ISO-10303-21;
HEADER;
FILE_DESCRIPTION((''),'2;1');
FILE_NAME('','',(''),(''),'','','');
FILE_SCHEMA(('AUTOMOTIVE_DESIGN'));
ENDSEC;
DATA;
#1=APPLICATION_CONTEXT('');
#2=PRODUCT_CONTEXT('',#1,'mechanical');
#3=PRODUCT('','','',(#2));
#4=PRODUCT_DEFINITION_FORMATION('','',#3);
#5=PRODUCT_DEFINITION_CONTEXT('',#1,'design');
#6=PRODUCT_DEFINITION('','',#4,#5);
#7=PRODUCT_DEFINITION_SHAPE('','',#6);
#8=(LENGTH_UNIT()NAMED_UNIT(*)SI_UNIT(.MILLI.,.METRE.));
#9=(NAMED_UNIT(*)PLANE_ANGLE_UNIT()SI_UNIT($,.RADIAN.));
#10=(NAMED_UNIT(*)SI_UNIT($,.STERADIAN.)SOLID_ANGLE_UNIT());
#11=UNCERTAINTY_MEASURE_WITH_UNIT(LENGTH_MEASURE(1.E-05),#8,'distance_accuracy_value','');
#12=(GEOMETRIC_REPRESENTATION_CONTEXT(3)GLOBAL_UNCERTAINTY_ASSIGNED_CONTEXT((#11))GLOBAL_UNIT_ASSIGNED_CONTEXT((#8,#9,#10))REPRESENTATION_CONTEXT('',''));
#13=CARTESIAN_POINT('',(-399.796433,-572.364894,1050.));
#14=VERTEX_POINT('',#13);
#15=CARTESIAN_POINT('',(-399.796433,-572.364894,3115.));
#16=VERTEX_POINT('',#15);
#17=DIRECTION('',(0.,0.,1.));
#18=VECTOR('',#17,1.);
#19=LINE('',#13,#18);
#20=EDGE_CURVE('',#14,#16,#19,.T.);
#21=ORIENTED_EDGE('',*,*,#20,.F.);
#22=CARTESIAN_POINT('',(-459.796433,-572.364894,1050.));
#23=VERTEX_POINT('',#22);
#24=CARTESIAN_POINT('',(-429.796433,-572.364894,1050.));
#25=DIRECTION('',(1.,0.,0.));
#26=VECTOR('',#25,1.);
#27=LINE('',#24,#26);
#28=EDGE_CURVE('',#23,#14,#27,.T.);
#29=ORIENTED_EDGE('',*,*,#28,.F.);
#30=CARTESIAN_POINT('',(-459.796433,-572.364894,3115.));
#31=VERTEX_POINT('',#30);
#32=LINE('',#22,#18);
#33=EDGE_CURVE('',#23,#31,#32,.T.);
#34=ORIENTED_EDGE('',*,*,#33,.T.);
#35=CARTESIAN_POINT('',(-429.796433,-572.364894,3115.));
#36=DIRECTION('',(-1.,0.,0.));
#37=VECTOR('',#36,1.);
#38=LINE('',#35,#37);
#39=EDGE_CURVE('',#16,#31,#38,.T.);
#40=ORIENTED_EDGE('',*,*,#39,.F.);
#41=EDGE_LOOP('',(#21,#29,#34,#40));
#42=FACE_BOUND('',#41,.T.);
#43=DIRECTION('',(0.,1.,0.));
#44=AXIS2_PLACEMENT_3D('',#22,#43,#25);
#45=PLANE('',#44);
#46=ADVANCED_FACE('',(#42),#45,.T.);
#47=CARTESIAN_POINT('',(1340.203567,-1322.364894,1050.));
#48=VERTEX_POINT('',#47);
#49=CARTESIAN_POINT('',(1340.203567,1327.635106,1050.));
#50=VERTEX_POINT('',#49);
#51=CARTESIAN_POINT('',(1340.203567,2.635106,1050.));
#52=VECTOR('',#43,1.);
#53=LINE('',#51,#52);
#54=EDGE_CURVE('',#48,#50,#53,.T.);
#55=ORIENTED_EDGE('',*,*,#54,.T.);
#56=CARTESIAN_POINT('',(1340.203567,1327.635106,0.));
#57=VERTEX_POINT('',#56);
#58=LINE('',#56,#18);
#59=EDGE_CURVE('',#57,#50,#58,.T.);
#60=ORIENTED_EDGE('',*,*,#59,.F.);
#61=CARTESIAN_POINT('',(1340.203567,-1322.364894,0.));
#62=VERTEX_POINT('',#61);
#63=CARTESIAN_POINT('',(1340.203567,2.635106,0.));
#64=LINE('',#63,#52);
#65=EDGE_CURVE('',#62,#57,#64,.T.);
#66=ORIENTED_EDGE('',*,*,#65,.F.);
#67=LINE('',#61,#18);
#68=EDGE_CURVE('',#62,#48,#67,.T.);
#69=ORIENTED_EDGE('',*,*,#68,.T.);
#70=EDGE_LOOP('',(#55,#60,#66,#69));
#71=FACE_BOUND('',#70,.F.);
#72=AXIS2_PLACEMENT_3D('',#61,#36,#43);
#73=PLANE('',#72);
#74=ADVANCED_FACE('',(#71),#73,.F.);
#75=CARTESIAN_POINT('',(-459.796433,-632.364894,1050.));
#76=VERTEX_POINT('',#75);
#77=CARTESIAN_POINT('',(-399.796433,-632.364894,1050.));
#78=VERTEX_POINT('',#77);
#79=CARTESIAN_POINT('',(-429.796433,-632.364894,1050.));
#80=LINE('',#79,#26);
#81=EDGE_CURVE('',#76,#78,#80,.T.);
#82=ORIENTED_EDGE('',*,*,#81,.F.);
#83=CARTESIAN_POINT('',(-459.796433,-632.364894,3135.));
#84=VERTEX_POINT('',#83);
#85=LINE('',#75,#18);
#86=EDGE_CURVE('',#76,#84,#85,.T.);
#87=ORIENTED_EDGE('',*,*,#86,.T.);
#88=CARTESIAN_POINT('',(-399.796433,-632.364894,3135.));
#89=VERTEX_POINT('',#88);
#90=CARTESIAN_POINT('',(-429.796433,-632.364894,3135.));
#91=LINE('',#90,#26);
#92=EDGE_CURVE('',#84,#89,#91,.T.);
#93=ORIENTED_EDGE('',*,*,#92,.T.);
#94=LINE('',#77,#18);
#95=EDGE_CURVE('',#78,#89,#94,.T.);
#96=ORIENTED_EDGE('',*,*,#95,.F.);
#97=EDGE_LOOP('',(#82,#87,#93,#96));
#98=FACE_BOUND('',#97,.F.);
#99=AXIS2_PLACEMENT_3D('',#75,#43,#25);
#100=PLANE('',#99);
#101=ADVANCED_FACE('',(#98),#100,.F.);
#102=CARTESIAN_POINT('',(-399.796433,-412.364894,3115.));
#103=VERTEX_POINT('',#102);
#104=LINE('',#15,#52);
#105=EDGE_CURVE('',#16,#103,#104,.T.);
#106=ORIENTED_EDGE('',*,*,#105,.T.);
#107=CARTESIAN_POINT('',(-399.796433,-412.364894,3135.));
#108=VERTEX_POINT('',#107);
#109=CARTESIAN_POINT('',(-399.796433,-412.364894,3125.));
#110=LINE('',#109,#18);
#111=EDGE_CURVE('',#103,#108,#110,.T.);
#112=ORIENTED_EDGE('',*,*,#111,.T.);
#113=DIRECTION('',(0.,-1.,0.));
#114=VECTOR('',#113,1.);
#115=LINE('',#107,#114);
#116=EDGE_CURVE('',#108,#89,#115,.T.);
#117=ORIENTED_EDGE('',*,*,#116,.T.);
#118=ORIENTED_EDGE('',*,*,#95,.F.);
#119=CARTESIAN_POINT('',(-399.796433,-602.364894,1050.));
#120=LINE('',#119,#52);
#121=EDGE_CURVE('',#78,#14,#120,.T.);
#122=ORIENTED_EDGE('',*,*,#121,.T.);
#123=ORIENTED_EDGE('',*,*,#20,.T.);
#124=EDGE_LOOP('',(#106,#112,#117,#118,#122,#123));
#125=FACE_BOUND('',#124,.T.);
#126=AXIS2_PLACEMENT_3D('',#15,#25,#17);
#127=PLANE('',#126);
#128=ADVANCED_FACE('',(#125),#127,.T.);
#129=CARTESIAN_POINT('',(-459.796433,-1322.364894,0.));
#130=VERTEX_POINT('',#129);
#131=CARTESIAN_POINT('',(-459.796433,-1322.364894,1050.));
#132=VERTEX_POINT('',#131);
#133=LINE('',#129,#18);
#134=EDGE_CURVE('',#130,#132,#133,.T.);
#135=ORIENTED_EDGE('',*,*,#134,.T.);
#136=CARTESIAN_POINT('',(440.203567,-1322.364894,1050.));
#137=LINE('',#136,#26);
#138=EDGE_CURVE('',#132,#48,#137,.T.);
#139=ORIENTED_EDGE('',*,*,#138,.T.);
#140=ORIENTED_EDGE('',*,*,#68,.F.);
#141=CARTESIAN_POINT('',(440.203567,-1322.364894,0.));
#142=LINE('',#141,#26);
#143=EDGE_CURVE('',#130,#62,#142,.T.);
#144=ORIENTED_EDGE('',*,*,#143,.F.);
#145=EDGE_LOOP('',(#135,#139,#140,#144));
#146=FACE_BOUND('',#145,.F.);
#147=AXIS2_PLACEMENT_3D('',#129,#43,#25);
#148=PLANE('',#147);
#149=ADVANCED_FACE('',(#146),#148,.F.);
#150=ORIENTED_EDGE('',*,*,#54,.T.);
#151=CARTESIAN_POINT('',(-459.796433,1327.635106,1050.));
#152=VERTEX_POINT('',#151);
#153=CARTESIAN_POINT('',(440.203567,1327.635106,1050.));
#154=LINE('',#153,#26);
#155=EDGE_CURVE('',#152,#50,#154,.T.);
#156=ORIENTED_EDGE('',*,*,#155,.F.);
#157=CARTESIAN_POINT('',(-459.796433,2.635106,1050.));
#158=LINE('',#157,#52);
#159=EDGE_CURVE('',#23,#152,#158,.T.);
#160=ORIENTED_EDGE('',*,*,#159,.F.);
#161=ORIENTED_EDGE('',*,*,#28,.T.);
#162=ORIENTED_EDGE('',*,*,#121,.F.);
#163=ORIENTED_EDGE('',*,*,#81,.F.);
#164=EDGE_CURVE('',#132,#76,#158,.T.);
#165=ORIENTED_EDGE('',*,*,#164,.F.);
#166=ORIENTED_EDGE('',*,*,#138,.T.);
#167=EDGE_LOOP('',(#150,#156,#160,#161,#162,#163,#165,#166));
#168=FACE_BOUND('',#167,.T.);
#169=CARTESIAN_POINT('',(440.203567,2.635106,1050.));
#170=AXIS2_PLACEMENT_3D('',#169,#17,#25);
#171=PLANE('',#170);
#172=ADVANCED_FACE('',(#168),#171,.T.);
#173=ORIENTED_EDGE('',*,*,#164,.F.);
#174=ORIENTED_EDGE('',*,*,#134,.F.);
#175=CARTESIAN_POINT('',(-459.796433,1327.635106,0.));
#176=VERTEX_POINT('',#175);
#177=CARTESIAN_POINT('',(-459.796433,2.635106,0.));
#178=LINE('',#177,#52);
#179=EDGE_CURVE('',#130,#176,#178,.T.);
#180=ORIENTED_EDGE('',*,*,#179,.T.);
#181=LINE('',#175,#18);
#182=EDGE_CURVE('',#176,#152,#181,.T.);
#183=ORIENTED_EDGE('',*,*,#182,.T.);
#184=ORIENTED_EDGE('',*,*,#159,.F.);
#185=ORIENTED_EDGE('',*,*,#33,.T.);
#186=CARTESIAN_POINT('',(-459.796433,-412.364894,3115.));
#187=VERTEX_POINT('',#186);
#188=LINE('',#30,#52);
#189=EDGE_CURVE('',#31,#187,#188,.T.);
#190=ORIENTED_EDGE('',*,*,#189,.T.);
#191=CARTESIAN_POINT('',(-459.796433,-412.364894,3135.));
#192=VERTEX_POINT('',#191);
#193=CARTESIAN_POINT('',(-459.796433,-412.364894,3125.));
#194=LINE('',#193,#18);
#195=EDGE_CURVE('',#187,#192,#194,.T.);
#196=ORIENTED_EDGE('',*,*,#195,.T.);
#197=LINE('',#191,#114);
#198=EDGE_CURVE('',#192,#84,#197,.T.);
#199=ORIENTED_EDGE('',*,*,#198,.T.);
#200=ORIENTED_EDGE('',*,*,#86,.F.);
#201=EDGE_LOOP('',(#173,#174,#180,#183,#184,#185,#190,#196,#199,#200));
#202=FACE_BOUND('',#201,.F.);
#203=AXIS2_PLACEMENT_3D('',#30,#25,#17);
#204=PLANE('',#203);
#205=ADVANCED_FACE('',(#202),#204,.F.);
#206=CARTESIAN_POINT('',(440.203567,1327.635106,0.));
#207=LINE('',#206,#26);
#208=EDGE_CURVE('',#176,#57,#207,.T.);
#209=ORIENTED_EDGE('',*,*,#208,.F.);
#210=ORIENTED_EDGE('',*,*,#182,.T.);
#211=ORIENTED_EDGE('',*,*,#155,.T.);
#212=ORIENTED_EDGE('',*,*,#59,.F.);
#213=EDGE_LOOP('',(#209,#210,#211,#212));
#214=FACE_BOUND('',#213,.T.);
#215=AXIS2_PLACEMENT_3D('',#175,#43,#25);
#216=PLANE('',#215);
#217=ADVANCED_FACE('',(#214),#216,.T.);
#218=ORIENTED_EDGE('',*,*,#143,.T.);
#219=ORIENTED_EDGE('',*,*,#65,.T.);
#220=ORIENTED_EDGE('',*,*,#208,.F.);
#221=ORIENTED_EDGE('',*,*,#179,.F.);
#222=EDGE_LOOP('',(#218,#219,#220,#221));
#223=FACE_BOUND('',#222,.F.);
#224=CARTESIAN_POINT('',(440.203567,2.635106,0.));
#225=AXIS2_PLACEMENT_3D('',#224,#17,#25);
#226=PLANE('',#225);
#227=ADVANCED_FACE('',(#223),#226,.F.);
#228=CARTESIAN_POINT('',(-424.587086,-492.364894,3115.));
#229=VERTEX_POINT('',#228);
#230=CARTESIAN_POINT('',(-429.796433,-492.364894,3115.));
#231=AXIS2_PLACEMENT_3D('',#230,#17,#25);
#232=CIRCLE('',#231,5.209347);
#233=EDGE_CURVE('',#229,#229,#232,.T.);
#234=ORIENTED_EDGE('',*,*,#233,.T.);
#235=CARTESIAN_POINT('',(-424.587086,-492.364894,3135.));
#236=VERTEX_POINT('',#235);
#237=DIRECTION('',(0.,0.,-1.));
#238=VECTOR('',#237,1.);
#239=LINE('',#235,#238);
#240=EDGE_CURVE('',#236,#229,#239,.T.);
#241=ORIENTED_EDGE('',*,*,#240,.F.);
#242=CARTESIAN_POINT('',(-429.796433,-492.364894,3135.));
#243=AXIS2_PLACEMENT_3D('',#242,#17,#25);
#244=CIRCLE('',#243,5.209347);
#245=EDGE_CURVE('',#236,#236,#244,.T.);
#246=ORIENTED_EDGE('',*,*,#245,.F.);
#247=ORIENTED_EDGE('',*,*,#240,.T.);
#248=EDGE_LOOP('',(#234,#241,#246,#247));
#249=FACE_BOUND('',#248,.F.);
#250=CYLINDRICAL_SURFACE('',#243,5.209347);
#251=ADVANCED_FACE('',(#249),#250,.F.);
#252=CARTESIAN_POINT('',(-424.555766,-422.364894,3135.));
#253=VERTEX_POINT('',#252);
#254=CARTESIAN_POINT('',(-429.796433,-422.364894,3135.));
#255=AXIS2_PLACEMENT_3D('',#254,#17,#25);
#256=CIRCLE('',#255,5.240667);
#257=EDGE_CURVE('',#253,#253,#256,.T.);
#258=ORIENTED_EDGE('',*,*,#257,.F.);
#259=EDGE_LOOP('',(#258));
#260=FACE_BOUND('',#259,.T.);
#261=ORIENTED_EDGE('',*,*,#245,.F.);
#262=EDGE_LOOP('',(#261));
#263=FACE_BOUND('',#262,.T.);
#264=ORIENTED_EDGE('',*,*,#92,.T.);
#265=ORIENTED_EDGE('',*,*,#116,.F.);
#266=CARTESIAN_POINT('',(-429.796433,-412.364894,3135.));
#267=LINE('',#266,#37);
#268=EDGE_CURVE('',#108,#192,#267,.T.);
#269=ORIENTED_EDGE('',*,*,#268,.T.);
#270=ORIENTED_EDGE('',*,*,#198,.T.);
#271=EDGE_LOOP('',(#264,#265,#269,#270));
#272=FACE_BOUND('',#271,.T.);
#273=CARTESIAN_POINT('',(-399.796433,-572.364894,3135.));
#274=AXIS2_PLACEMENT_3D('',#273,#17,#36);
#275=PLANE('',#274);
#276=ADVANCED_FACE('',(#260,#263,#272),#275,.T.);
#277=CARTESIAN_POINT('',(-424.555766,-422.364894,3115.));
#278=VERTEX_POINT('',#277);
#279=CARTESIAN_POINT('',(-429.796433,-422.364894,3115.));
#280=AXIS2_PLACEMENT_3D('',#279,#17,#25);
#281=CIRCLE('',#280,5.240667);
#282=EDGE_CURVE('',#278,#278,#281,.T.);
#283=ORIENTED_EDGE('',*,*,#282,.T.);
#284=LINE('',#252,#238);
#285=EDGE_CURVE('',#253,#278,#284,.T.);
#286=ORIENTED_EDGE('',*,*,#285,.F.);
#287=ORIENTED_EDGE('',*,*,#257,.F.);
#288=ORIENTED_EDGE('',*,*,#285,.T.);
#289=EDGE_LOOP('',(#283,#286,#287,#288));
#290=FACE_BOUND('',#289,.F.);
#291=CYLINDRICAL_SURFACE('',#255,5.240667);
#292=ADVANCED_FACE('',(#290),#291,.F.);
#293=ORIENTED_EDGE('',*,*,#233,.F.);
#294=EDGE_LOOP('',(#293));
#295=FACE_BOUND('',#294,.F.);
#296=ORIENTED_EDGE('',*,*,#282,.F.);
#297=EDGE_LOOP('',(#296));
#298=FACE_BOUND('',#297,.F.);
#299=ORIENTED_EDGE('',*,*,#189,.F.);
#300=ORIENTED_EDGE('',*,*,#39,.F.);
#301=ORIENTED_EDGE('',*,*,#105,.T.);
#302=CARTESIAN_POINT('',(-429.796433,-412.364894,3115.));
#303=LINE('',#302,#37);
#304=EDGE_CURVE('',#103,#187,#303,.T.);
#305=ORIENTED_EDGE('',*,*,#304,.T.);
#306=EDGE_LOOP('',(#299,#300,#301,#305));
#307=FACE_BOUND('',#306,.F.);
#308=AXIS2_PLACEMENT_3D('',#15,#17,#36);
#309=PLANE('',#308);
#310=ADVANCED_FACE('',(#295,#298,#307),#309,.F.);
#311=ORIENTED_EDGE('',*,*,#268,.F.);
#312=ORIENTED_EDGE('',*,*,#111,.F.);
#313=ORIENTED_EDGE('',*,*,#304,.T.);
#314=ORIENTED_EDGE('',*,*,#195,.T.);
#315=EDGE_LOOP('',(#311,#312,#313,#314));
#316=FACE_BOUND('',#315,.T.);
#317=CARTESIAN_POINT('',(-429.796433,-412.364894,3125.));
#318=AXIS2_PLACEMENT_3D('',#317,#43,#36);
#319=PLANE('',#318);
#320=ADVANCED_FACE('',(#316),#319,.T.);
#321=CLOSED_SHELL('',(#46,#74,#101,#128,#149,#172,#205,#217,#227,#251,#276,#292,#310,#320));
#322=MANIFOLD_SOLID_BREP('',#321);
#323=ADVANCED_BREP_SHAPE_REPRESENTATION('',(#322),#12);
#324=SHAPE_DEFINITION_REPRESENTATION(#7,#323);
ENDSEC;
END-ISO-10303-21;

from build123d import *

# Parameters (mm, degrees)
F0_W     = 1800
F0_H     = 2650
F1_DEPTH = 1050
F2_W     = 60
F2_H     = 60
F3_DEPTH = 2085
F4_W     = 60
F4_H     = 20
F5_DEPTH = 160
F6_R     = 5.209347
F6_R_2   = 5.240667
F7_DEPTH = 20


with BuildPart() as f1:
    # F0 (on Top) → F1 (new body)
    with BuildSketch(Plane.XY):
        with Locations((440.203567, 2.635106)):
            Rectangle(F0_W, F0_H)
    extrude(amount=F1_DEPTH)

    # F2 (on face) → F3 (join)
    with BuildSketch(Plane.XY.offset(1050)):
        with Locations((-429.796433, -602.364894)):
            Rectangle(F2_W, F2_H)
    extrude(amount=F3_DEPTH)

    # F4 (on face) → F5 (join)
    with BuildSketch(Plane(origin=(0, -572.364894, 0), x_dir=(-1, 0, 0), z_dir=(0, 1, 0))):
        with Locations((429.796433, 3125)):
            Rectangle(F4_W, F4_H)
    extrude(amount=F5_DEPTH)

    # F6 (on face) → F7 (cut, through all)
    with BuildSketch(Plane.XY.offset(3135)):
        with Locations((-429.796433, -492.364894)):
            Circle(F6_R)
        with Locations((-429.796433, -422.364894)):
            Circle(F6_R_2)
    extrude(amount=-F7_DEPTH, mode=Mode.SUBTRACT)


solid = f1.part
